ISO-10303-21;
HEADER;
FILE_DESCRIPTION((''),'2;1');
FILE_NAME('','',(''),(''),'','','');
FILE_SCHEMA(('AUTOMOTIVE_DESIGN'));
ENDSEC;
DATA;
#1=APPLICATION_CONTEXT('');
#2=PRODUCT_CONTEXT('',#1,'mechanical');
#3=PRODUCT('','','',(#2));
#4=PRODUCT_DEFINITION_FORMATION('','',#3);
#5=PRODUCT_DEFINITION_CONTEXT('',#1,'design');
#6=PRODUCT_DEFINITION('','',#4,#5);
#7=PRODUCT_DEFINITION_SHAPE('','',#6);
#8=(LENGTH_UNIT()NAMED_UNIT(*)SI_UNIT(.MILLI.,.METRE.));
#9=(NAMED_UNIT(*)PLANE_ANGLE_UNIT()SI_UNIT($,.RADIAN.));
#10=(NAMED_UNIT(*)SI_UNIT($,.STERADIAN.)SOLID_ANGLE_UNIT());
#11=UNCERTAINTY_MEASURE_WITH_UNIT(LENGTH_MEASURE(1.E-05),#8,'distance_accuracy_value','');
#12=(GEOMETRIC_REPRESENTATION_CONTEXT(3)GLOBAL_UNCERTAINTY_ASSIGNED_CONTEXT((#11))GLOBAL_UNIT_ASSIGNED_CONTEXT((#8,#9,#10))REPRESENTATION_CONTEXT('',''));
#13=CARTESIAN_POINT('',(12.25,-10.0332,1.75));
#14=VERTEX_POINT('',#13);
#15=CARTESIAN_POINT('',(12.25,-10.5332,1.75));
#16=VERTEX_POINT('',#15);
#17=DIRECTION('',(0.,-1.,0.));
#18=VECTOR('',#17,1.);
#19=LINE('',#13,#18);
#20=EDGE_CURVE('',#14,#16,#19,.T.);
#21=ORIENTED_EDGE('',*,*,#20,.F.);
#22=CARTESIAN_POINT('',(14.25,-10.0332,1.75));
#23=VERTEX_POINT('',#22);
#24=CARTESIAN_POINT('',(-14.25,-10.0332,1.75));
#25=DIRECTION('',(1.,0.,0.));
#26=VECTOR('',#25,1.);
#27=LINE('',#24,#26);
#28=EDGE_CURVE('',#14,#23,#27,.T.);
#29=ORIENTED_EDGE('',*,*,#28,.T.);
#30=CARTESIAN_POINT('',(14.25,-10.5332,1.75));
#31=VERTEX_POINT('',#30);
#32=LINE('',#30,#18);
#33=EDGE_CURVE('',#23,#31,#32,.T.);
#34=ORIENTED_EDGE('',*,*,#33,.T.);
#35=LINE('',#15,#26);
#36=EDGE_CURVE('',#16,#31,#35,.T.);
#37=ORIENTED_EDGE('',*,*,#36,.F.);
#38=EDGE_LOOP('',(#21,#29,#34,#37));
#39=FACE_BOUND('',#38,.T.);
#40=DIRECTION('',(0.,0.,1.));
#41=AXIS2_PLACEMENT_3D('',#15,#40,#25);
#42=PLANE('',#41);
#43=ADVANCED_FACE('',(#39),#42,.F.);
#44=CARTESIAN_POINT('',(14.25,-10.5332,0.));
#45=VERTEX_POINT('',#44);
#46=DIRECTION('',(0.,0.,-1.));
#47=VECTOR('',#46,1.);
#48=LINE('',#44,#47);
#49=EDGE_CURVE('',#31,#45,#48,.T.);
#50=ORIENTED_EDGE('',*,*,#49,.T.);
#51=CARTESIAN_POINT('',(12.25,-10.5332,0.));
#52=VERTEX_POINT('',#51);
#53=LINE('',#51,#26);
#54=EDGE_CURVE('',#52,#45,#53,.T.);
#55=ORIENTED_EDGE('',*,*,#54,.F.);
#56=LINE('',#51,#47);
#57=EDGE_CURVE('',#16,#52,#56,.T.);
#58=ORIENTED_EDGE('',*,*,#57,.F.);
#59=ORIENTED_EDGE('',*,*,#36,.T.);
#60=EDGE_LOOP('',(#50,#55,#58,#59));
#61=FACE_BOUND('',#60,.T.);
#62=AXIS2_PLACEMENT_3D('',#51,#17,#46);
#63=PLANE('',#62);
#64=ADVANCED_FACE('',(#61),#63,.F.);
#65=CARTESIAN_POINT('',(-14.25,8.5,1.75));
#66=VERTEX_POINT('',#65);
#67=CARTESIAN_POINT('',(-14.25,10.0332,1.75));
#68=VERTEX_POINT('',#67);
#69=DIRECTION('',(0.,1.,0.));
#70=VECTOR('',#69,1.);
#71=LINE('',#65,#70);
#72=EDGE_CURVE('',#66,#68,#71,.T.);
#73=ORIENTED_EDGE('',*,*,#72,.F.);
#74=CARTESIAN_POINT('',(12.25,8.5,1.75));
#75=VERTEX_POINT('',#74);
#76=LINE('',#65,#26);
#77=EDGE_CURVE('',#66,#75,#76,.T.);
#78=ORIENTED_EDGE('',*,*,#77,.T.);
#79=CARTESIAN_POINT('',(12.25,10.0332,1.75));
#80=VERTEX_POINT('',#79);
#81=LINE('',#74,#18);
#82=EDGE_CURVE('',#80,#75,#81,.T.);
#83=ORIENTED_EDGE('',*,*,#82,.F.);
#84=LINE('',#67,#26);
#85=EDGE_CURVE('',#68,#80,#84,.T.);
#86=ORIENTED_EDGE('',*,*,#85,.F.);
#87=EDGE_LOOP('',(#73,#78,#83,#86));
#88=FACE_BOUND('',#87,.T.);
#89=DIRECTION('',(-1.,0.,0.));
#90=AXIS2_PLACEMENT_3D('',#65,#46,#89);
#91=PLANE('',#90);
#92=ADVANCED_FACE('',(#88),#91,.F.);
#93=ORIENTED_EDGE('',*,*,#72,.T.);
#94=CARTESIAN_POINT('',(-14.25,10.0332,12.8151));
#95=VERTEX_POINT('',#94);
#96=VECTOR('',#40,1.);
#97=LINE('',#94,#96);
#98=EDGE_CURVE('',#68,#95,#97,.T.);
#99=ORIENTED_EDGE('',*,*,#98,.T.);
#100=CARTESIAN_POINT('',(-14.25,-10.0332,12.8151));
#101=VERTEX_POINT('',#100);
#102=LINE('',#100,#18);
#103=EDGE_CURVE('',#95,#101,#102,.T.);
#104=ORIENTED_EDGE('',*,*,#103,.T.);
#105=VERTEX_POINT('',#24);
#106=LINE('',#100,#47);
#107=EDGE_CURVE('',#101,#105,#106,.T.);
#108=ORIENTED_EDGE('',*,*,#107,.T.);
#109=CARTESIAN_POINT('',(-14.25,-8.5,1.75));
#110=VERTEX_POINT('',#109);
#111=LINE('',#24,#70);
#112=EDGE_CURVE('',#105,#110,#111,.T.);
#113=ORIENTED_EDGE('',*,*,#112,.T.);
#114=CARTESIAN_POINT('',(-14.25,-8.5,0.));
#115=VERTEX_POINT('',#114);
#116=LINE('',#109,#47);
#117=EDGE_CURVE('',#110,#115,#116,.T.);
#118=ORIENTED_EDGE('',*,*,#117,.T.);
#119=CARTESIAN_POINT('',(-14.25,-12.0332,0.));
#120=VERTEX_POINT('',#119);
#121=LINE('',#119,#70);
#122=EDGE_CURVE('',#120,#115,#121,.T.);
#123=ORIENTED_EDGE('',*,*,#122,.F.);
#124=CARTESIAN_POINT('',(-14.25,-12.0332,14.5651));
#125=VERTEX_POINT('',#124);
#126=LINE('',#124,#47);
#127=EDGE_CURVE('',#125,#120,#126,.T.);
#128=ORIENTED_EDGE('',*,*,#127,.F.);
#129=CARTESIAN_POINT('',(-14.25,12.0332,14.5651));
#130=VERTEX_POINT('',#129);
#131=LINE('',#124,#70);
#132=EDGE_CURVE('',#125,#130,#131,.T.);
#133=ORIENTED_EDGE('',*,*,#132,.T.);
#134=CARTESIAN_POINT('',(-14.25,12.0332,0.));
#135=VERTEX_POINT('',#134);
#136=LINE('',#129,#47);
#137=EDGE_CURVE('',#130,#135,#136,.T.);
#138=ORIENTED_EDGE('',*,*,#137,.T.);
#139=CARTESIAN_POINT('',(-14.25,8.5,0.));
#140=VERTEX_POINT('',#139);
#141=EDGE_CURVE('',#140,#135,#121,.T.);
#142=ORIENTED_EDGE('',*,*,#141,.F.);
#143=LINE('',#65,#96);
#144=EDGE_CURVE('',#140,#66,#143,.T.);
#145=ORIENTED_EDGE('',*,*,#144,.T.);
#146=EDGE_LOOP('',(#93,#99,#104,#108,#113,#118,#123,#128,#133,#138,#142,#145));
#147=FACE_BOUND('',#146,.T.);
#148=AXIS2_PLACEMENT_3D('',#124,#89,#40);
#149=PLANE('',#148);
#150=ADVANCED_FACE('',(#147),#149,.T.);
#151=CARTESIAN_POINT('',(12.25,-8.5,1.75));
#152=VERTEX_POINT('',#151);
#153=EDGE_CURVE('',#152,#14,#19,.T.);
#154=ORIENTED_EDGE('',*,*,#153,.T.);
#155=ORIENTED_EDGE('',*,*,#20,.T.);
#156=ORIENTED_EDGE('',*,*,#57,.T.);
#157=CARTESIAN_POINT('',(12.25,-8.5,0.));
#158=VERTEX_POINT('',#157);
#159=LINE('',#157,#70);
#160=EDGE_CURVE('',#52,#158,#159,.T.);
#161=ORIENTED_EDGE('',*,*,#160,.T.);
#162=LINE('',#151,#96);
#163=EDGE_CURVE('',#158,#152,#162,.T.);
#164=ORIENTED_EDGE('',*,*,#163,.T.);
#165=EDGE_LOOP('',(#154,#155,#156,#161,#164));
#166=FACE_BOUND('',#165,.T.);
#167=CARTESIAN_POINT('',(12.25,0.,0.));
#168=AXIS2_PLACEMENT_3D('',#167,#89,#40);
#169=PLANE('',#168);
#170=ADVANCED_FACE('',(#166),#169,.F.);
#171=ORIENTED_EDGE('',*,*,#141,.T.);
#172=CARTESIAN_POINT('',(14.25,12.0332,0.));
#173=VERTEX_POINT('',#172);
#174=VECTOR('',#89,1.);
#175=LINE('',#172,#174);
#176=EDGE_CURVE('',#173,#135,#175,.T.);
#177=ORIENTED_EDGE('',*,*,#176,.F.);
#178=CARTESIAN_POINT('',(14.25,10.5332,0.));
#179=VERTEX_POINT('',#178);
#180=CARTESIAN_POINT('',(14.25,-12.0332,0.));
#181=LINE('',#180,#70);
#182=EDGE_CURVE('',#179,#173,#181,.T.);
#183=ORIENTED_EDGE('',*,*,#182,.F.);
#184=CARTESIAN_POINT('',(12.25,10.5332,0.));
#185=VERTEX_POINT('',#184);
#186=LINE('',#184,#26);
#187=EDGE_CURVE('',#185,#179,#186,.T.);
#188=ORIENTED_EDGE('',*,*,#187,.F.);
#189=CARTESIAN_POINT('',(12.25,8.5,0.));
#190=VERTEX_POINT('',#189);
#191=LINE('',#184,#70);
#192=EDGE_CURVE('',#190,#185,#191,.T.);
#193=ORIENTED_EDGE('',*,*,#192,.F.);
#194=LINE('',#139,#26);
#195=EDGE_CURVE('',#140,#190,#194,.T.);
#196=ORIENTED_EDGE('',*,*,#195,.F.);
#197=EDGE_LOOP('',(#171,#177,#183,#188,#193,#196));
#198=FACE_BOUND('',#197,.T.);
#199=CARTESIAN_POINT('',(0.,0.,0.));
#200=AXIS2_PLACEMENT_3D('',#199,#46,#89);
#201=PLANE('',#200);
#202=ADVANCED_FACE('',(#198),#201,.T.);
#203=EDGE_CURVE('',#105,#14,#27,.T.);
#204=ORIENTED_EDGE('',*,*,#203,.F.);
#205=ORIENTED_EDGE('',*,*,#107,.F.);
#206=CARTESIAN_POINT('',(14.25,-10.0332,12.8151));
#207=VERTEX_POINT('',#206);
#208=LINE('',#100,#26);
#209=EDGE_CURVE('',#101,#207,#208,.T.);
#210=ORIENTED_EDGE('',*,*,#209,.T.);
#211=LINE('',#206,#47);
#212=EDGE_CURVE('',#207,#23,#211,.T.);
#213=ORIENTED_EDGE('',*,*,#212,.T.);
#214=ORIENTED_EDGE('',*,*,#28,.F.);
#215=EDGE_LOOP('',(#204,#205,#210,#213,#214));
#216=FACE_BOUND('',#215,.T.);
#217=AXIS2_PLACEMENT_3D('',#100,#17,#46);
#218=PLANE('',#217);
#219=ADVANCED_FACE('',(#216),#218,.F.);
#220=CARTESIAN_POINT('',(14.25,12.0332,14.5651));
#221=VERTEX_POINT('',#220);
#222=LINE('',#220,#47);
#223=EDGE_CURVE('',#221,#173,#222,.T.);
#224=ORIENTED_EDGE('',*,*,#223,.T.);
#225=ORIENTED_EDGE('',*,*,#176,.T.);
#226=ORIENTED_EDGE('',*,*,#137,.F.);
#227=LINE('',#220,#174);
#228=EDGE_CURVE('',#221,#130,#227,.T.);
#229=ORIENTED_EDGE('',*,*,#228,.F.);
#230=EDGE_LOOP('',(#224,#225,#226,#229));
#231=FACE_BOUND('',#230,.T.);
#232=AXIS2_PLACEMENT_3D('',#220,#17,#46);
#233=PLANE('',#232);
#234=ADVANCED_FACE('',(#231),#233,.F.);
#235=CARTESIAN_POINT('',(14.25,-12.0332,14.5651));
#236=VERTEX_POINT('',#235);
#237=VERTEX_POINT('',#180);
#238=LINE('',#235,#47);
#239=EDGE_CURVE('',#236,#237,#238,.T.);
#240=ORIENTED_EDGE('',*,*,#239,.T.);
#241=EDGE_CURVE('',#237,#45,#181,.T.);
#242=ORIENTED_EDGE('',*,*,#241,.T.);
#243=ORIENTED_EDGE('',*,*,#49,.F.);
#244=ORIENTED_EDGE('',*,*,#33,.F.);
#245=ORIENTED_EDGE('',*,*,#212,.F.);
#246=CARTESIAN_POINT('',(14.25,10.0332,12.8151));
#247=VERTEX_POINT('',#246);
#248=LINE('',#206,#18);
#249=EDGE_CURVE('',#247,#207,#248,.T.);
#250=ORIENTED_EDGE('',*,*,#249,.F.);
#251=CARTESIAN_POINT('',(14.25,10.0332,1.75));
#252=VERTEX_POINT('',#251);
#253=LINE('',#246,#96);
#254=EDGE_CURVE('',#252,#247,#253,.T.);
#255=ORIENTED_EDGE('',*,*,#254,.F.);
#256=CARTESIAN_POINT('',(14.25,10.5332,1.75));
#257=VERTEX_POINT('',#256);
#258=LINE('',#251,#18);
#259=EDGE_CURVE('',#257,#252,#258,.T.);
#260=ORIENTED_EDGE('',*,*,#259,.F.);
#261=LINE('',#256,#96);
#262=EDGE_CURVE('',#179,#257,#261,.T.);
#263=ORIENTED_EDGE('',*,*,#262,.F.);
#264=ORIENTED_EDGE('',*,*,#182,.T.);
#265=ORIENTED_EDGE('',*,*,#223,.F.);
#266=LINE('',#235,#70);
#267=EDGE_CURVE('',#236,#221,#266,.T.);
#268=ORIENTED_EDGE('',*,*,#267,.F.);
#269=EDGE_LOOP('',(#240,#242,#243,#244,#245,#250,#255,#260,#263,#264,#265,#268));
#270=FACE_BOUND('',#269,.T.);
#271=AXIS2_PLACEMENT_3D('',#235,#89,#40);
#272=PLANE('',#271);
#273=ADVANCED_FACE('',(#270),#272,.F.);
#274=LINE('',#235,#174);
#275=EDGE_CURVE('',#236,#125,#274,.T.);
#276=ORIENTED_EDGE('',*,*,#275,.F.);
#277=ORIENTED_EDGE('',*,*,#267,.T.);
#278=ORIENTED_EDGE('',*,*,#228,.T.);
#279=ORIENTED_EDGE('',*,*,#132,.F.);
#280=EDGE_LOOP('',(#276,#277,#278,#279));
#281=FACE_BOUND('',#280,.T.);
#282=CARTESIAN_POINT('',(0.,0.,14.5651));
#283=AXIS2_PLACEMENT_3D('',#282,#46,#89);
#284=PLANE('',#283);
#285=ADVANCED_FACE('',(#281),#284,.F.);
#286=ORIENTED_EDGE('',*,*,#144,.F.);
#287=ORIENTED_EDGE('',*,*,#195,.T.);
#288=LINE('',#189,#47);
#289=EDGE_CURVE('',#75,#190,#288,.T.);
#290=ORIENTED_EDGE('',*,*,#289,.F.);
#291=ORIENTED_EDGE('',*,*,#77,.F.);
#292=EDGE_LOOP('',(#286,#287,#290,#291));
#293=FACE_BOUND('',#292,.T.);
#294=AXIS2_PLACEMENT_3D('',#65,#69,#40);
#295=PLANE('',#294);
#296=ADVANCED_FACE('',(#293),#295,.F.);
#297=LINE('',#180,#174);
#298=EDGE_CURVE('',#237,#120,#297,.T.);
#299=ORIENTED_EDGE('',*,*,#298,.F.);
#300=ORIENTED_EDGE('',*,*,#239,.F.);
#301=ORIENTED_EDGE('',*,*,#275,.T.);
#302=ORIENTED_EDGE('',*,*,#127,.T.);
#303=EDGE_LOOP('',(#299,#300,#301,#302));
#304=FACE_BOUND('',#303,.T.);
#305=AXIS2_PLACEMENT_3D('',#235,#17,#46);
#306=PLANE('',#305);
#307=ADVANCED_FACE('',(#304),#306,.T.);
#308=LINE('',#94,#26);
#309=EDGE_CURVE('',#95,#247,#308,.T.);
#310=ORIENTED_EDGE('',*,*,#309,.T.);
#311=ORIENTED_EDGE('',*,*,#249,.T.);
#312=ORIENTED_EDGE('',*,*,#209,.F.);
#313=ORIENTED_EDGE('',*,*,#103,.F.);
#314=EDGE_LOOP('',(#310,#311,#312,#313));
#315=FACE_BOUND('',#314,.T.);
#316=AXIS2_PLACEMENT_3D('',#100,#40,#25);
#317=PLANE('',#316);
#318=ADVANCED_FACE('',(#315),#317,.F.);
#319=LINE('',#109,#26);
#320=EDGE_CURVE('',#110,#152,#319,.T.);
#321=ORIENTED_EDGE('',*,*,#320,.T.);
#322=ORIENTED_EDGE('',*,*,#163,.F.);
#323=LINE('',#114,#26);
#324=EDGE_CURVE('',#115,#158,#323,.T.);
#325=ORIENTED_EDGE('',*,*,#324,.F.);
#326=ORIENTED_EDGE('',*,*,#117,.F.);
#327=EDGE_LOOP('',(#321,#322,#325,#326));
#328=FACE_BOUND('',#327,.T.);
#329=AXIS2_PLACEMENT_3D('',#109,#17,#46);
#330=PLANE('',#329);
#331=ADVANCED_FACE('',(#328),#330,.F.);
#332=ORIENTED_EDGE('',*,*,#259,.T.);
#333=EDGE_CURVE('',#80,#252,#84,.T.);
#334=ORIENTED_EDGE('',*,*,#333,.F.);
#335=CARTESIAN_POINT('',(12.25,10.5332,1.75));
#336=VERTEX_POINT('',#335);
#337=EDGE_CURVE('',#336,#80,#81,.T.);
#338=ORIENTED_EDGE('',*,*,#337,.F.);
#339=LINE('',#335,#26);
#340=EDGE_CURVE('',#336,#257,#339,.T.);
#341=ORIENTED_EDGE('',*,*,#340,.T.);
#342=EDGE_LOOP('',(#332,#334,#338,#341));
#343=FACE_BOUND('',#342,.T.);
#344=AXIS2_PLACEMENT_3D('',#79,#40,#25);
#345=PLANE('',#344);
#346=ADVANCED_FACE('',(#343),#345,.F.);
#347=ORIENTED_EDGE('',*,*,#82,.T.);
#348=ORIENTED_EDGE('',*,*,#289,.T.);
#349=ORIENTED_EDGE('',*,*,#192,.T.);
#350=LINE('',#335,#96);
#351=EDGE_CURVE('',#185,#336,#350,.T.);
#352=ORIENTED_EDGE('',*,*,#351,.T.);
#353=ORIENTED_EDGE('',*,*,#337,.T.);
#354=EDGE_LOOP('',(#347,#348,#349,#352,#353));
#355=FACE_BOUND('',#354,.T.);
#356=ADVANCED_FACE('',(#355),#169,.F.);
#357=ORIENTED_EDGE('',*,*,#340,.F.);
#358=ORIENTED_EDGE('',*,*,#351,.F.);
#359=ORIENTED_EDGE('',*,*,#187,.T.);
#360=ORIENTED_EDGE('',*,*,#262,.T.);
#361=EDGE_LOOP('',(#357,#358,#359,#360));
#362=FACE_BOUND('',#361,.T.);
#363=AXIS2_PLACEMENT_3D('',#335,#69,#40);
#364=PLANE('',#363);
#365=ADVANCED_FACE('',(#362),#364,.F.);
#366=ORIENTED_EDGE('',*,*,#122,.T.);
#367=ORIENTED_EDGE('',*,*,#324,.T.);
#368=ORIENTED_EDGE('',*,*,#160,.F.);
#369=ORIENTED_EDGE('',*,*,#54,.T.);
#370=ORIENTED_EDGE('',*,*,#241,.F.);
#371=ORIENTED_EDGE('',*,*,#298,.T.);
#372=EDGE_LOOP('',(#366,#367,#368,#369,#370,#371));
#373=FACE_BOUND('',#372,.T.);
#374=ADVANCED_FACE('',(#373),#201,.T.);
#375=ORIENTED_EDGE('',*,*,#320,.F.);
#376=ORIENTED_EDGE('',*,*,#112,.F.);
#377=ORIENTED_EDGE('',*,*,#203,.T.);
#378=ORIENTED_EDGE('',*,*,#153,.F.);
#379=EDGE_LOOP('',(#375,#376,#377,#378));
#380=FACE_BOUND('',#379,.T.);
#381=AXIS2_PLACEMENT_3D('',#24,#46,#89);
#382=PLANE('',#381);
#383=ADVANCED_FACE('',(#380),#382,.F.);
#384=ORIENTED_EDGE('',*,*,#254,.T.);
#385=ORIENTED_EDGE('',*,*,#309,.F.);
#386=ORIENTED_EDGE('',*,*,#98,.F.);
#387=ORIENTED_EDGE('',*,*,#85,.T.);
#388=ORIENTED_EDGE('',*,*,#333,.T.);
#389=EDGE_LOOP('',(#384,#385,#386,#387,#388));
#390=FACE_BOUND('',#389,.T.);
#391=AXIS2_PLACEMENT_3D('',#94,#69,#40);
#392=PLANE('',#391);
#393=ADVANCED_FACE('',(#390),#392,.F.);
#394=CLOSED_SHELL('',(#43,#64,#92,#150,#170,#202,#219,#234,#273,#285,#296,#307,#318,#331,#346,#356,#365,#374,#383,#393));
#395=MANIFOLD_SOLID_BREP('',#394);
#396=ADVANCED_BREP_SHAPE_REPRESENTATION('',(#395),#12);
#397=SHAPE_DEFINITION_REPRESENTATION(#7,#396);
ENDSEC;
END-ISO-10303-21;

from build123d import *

# Parameters (mm, degrees)
SKETCH1_W           = 24.0664
SKETCH1_H           = 28.5
BOSS_EXTRUDE1_DEPTH = 14.5651
CUT_EXTRUDE1_DEPTH  = 35.193421008
CUT_EXTRUDE2_DEPTH  = 2


with BuildPart() as part:
    # Sketch1 → Boss-Extrude1 (new body)
    with BuildSketch(Plane(origin=(0, 0, 0), x_dir=(0, 1, 0), z_dir=(0, 0, 1))):
        Rectangle(SKETCH1_W, SKETCH1_H)
    extrude(amount=BOSS_EXTRUDE1_DEPTH)

    # Sketch2 → Cut-Extrude1 (cut, through all)
    with BuildSketch(Plane.YZ.offset(14.25)):
        Polygon((-10.0332, 12.8151), (10.0332, 12.8151), (10.0332, 1.75), (8.5, 1.75), (8.5, 0), (-8.5, 0), (-8.5, 1.75), (-10.0332, 1.75), align=None)
    extrude(amount=-CUT_EXTRUDE1_DEPTH, mode=Mode.SUBTRACT)

    # Sketch4 → Cut-Extrude2 (cut)
    with BuildSketch(Plane.YZ.offset(14.25)):
        Polygon((10.0332, 1.75), (10.5332, 1.75), (10.5332, 0), (8.5, 0), (8.5, 1.75), align=None)
        Polygon((-10.5332, 0), (-10.5332, 1.75), (-10.0332, 1.75), (-8.5, 1.75), (-8.5, 0), align=None)
    extrude(amount=-CUT_EXTRUDE2_DEPTH, mode=Mode.SUBTRACT)


solid = part.part
